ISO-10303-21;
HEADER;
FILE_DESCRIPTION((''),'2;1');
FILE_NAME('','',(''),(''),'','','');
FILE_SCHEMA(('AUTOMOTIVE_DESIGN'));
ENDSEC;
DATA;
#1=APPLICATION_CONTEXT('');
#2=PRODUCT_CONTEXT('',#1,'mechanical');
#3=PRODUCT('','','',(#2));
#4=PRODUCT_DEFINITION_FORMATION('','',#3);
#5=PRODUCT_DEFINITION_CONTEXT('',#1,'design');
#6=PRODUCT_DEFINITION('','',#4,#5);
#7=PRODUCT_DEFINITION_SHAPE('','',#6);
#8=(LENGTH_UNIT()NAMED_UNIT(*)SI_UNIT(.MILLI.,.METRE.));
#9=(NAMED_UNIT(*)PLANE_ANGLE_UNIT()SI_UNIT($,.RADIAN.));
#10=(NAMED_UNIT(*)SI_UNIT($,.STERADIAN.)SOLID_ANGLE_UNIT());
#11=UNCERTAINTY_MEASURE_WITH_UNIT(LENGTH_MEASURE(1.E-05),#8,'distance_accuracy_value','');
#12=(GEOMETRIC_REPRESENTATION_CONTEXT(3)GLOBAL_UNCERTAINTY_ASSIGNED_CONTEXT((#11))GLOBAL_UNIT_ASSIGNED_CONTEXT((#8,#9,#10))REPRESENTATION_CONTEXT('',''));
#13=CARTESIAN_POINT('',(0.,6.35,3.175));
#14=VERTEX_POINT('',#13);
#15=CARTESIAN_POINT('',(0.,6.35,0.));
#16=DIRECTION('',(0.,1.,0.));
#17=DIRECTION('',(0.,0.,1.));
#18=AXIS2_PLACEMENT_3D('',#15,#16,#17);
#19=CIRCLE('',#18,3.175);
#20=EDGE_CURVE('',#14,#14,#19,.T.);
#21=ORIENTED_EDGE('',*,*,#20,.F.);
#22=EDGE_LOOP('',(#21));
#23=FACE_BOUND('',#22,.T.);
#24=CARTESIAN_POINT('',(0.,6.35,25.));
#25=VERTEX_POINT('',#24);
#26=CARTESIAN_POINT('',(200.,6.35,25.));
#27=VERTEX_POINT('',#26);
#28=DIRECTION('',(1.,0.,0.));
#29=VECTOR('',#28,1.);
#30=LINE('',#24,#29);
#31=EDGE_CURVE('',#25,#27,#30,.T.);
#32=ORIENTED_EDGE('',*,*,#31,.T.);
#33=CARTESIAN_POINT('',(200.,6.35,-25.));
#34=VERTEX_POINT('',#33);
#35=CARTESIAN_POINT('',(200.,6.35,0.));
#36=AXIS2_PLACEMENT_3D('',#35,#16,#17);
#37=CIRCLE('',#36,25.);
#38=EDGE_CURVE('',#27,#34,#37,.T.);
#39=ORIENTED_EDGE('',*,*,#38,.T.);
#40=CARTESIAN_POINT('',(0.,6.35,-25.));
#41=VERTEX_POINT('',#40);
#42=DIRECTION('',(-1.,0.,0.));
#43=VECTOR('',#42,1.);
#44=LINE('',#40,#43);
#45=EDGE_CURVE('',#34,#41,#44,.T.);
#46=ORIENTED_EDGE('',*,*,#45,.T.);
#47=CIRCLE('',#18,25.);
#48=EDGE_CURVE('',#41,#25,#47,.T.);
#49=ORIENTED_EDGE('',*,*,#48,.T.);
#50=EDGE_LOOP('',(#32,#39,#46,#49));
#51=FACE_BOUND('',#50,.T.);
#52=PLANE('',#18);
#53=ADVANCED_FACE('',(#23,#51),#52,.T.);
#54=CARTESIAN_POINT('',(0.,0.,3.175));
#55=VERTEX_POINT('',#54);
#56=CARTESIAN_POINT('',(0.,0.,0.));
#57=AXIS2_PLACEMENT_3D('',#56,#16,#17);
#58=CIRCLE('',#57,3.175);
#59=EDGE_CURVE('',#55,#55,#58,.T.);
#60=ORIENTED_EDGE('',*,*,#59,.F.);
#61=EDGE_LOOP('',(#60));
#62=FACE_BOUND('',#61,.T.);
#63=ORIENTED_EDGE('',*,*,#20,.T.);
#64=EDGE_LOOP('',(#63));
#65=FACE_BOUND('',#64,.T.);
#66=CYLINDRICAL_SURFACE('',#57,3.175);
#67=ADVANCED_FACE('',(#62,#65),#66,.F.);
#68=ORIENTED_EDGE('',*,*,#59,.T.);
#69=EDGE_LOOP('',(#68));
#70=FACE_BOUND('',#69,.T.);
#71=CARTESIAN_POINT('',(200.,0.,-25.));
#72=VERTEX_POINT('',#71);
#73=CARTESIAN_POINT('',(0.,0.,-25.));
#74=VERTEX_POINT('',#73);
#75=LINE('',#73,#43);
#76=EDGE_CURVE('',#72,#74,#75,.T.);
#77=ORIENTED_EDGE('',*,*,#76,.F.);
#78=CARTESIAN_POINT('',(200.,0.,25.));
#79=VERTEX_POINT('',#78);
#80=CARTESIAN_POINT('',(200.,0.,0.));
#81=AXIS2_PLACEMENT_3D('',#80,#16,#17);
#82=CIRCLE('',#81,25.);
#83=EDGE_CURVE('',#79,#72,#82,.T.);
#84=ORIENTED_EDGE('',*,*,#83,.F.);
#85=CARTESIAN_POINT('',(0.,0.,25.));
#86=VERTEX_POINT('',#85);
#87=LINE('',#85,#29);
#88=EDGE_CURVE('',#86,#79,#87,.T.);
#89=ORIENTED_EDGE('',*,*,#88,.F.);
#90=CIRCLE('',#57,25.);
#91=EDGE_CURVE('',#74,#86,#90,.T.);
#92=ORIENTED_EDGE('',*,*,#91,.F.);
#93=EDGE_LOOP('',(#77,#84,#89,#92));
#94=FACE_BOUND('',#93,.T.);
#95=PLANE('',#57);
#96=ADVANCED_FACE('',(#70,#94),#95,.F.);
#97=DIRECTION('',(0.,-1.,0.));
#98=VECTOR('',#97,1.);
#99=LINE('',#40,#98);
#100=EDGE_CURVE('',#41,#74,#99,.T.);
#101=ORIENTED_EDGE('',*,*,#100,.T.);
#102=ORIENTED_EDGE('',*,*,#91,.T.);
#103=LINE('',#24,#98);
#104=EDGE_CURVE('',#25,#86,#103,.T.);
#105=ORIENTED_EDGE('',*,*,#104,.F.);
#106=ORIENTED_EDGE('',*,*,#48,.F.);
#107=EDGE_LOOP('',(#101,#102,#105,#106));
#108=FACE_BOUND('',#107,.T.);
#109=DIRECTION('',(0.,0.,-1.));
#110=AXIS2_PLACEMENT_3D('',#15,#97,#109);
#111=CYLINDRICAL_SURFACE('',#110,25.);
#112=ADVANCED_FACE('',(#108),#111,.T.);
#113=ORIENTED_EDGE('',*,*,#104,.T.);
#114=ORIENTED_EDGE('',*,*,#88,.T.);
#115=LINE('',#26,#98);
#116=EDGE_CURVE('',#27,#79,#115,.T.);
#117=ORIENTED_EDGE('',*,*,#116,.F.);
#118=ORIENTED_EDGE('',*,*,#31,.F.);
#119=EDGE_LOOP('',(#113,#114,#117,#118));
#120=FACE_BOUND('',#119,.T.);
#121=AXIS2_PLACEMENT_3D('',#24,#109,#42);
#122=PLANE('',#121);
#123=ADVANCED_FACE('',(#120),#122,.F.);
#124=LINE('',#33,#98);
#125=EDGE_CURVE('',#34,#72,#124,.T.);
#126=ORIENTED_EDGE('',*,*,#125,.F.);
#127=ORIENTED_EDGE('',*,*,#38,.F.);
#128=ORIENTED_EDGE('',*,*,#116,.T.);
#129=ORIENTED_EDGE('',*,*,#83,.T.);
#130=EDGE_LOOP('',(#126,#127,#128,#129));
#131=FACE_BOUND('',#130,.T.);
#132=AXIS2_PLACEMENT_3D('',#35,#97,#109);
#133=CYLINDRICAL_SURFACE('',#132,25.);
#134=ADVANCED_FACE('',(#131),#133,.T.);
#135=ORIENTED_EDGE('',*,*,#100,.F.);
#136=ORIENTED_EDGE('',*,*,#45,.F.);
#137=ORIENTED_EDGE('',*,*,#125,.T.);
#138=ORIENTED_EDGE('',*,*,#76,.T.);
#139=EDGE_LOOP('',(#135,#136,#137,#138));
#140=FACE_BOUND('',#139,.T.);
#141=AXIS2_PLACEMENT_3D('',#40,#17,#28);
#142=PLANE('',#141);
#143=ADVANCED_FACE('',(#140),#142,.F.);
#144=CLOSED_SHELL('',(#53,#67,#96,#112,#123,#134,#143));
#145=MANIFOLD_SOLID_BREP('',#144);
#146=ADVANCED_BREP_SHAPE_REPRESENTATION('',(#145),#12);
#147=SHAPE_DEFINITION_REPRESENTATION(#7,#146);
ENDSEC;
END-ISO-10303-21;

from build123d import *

# Parameters (mm, degrees)
BOSS_EXTRUDE1_DEPTH = 6.35
SKETCH4_R           = 3.175
CUT_EXTRUDE1_DEPTH  = 7.35


with BuildPart() as part:
    # Sketch2 → Boss-Extrude1 (new body)
    with BuildSketch(Plane(origin=(0, 0, 0), x_dir=(1, 0, 0), z_dir=(0, 1, 0))):
        with BuildLine():
            Line((0, 25), (200, 25))
            ThreePointArc((200, 25), (225, 0), (200, -25))
            Line((200, -25), (0, -25))
            ThreePointArc((0, -25), (-25, 0), (0, 25))
        make_face()
    extrude(amount=BOSS_EXTRUDE1_DEPTH)

    # Sketch4 → Cut-Extrude1 (cut, through all)
    with BuildSketch(Plane(origin=(0, 6.35, 0), x_dir=(1, 0, 0), z_dir=(0, 1, 0))):
        Circle(SKETCH4_R)
    extrude(amount=-CUT_EXTRUDE1_DEPTH, mode=Mode.SUBTRACT)


solid = part.part
